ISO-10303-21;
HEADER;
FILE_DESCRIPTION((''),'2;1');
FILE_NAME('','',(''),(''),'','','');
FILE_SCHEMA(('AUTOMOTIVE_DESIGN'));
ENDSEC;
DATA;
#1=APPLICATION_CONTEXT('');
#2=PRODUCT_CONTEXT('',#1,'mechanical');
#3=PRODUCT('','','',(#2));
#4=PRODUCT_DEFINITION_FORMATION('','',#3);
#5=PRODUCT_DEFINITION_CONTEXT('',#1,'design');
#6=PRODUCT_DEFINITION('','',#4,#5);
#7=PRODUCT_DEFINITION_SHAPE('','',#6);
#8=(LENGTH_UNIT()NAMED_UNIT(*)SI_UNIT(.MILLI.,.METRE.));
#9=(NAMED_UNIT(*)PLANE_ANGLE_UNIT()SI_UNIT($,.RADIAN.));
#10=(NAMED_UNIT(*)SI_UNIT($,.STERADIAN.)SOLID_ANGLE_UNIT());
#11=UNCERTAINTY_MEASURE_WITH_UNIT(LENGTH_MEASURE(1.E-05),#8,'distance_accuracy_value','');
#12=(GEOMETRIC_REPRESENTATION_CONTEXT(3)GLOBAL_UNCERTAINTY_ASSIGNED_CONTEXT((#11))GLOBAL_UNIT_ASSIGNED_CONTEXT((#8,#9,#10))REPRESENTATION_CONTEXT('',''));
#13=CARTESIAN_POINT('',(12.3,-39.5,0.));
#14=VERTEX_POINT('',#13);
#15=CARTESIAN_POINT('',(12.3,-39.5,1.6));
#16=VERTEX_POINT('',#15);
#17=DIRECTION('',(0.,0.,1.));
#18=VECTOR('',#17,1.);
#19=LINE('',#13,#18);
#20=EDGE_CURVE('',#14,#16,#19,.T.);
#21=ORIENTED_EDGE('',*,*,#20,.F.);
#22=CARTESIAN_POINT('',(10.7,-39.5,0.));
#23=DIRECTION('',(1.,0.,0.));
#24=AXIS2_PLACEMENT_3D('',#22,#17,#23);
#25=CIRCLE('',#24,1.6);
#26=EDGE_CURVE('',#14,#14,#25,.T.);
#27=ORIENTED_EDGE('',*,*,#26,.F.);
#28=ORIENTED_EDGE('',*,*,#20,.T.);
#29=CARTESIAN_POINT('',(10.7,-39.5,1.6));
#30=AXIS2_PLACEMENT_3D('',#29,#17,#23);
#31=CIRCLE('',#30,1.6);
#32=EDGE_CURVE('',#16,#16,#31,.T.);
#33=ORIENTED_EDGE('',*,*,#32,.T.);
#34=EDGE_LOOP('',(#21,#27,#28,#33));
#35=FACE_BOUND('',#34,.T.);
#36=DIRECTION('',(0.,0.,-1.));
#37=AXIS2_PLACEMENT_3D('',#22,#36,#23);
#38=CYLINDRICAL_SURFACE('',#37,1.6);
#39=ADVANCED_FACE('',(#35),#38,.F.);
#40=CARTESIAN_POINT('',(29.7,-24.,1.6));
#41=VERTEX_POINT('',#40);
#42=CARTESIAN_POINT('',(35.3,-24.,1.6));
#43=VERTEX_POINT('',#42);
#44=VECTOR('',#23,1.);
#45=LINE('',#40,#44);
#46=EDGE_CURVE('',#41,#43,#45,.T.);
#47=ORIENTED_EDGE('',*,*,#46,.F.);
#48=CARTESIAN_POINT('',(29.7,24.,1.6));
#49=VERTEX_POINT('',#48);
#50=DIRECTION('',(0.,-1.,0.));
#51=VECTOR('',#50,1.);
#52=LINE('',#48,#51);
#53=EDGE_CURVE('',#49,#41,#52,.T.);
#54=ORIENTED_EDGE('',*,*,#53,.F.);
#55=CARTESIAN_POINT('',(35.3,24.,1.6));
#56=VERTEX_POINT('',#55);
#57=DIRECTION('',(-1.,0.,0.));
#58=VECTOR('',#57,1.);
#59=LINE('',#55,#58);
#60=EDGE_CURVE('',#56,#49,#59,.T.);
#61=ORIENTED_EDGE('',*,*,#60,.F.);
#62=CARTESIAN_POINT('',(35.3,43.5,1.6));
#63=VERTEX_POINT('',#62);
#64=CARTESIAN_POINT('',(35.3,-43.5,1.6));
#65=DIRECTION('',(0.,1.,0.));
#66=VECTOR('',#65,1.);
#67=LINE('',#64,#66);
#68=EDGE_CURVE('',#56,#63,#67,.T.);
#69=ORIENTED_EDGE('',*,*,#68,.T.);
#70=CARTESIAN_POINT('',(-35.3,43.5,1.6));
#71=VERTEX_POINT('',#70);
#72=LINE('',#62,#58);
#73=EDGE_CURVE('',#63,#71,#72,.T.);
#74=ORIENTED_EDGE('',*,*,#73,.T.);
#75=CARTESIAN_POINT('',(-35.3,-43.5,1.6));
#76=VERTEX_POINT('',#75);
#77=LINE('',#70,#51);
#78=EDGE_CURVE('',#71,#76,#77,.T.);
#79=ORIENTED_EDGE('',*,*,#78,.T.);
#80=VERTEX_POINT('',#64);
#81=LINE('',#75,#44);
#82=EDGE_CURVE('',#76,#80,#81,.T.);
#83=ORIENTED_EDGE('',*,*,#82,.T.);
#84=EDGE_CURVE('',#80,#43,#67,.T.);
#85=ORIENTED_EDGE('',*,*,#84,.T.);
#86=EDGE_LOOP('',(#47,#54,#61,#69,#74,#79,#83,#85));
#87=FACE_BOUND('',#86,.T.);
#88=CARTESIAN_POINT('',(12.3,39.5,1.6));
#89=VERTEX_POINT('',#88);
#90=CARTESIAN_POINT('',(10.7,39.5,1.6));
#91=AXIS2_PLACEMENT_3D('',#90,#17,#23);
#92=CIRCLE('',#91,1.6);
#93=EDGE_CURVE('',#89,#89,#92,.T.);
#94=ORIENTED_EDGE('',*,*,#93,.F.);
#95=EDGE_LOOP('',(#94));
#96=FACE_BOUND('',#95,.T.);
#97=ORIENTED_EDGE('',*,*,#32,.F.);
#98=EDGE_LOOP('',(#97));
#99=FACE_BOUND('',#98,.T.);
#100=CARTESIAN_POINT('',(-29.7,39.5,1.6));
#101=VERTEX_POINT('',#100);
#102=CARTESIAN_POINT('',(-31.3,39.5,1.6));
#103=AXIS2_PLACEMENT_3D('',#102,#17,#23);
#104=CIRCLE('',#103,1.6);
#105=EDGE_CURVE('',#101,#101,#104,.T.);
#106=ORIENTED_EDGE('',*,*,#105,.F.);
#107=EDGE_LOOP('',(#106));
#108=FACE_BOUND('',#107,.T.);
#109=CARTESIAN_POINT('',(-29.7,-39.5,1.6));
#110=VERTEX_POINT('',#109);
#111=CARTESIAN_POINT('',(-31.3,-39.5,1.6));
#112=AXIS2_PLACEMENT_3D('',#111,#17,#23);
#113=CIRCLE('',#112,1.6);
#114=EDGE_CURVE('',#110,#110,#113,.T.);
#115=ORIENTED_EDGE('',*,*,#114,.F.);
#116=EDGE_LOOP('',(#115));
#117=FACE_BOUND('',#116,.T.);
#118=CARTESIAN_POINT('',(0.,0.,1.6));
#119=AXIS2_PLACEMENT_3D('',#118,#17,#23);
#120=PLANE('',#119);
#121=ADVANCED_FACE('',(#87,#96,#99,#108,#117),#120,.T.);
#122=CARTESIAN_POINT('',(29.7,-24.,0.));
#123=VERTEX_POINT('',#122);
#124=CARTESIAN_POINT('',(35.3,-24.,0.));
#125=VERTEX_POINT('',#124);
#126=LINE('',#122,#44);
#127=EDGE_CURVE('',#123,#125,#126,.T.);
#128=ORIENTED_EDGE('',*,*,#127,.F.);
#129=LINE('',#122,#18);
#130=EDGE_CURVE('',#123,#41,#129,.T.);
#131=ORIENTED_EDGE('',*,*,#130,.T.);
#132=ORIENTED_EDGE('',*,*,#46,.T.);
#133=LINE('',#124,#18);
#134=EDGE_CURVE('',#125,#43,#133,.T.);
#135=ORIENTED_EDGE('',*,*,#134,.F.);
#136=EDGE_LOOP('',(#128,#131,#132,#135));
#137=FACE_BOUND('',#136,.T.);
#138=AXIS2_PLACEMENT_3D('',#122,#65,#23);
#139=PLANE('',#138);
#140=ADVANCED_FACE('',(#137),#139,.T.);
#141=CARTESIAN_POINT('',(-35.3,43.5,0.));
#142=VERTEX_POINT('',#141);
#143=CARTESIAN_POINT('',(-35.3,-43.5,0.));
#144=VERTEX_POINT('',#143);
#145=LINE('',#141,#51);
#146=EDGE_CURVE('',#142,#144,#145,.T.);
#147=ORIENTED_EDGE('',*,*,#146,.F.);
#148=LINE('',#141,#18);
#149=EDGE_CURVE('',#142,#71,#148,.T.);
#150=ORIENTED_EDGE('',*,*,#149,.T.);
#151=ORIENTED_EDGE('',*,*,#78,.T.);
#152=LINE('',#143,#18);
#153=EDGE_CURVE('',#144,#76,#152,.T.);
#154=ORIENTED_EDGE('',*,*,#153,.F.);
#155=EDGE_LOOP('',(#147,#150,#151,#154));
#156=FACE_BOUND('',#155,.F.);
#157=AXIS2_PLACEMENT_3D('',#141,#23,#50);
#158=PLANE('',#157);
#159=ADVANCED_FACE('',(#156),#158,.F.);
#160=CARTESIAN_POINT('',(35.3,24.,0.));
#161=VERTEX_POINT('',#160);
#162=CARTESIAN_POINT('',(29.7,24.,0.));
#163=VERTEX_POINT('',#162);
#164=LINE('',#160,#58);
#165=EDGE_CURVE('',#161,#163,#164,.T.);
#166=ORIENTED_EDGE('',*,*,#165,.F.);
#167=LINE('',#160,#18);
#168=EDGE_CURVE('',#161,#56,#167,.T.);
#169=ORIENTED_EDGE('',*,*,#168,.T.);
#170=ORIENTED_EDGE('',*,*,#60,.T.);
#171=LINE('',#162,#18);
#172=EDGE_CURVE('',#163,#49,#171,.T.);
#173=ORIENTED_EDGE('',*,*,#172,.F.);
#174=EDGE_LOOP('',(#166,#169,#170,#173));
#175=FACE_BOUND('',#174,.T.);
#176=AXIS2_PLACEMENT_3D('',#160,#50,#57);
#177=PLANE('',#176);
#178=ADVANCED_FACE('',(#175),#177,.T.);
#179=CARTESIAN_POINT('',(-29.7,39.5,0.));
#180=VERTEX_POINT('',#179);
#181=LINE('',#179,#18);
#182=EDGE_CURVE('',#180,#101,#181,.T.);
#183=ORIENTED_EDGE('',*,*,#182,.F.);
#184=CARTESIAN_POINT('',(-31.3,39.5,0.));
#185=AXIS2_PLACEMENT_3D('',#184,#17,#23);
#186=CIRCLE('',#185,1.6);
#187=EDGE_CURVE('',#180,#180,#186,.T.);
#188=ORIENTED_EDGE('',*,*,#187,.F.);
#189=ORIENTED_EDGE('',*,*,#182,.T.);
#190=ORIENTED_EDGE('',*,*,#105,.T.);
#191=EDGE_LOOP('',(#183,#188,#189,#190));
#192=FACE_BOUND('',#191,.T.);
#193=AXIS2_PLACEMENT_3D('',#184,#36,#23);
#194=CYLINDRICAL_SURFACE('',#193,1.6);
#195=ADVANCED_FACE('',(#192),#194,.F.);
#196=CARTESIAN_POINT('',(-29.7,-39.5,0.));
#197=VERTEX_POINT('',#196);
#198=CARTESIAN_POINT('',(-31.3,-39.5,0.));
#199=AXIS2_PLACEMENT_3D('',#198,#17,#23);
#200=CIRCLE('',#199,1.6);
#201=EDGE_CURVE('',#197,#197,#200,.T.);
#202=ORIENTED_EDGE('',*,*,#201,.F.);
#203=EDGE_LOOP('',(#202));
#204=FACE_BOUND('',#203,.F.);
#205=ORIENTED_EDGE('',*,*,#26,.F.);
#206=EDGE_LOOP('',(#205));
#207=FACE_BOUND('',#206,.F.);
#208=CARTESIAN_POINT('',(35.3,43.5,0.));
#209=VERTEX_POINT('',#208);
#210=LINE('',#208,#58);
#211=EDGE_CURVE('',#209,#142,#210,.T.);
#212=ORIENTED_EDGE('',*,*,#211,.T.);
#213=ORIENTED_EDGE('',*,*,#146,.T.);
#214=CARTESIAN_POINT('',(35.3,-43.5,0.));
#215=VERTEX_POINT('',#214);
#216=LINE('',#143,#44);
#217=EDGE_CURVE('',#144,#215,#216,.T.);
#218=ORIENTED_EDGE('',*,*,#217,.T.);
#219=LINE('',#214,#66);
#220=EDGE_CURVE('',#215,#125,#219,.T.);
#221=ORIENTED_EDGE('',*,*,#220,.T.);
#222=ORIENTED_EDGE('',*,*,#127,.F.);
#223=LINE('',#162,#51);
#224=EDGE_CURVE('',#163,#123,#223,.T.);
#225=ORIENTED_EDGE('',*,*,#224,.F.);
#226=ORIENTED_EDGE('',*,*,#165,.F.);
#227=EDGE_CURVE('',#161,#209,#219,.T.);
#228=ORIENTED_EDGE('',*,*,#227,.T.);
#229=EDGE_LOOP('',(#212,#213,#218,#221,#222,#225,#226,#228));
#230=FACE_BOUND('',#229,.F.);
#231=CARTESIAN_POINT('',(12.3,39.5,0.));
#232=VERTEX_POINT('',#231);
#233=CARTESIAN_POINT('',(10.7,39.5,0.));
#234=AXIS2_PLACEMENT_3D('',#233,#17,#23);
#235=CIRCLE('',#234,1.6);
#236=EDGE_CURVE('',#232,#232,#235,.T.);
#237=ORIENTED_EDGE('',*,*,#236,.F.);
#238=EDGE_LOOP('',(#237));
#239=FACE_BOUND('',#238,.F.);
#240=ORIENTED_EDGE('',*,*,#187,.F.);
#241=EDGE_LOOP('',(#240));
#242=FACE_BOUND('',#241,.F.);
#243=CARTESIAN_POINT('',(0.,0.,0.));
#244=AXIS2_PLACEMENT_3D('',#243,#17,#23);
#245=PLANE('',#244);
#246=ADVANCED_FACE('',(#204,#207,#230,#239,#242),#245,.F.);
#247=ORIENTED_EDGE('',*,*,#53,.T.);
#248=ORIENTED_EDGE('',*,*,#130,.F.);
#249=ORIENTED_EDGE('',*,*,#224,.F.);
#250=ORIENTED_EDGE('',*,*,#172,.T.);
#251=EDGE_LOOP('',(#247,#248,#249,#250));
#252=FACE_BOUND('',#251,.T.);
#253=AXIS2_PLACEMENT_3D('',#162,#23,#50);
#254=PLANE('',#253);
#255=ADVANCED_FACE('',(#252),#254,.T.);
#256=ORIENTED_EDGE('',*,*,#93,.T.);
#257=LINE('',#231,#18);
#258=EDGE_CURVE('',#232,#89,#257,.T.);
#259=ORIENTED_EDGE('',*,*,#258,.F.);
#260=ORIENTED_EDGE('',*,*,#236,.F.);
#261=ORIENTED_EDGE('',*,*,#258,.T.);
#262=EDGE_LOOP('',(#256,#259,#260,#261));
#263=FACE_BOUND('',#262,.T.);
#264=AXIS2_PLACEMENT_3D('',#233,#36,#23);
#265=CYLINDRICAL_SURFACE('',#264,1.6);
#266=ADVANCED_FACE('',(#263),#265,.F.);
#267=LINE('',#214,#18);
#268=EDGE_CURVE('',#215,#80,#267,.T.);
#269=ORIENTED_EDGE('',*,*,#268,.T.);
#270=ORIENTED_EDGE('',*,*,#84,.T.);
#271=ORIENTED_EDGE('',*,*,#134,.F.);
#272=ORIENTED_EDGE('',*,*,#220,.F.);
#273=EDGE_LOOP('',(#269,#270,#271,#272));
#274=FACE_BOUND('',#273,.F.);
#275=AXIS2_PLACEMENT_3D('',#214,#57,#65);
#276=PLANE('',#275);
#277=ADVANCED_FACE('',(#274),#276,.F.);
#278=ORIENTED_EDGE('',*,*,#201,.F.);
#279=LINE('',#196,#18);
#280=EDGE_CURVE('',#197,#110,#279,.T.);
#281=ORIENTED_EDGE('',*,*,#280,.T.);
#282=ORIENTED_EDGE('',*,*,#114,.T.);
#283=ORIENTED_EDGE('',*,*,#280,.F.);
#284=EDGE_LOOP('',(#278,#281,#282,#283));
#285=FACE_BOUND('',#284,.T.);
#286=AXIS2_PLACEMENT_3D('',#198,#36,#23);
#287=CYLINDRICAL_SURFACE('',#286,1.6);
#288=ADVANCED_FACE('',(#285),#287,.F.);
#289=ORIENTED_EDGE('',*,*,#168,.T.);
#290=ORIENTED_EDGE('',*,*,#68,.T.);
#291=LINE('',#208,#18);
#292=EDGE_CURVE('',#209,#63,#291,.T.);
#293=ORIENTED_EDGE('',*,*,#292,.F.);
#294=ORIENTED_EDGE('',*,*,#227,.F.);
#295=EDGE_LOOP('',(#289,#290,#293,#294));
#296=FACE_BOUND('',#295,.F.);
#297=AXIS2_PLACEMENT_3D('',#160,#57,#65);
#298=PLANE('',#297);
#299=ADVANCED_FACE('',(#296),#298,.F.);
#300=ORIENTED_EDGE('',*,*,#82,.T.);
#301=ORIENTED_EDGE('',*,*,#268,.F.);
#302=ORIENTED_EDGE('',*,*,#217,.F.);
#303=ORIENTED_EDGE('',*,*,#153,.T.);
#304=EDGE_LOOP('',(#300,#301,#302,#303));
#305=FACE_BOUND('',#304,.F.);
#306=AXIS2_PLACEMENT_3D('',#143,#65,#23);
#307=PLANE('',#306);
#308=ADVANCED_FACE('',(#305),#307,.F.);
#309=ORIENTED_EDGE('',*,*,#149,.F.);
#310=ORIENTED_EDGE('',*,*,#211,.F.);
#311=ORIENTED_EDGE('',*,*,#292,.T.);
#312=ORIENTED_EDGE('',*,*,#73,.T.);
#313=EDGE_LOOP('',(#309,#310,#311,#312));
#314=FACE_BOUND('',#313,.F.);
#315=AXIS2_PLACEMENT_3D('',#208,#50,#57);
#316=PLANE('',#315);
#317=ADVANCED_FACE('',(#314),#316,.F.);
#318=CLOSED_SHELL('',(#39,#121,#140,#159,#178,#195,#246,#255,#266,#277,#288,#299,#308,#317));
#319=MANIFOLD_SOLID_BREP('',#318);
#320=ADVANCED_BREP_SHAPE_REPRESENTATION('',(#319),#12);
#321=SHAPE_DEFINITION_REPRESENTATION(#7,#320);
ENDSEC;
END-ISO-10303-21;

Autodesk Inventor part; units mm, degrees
ref_plane "YZ Plane" through (0, 0, 0) normal (1, 0, 0) x (0, 1, 0)
ref_plane "XZ Plane" through (0, 0, 0) normal (0, 1, 0) x (-1, 0, 0)
ref_plane "XY Plane" through (0, 0, 0) normal (0, 0, 1) x (1, 0, 0)
sketch "スケッチ1" plane through (0, 0, 0) normal (0, 0, 1) x (1, 0, 0)
  line L0 (35.3, 43.5) -> (-35.3, 43.5)
  line L1 (-35.3, 43.5) -> (-35.3, -43.5)
  line L2 (-35.3, -43.5) -> (35.3, -43.5)
  line L3 (35.3, -43.5) -> (35.3, 43.5)
  line L4 (35.3, 43.5) -> (-35.3, -43.5) construction
  line L5 (-35.3, 43.5) -> (35.3, -43.5) construction
  line L6 (35.3, 24) -> (29.7, 24)
  line L7 (29.7, 24) -> (29.7, -24)
  line L8 (29.7, -24) -> (35.3, -24)
  line L9 (35.3, 0) -> (-35.3, 0) construction
  line L10 (10.7, -39.5) -> (-31.3, -39.5) construction
  line L11 (-31.3, -39.5) -> (-31.3, 39.5) construction
  line L12 (-31.3, 39.5) -> (10.7, 39.5) construction
  line L13 (10.7, 39.5) -> (10.7, -39.5) construction
  line L14 (10.7, -39.5) -> (-31.3, 39.5) construction
  line L15 (-31.3, -39.5) -> (10.7, 39.5) construction
  circle A0 centre (-31.3, 39.5) radius 1.6
  circle A1 centre (10.7, 39.5) radius 1.6
  circle A2 centre (-31.3, -39.5) radius 1.6
  circle A3 centre (10.7, -39.5) radius 1.6
  point P0 (0, 0)
  point P1 (-10.3, 0)
  dimension "d0" = 70.6
  dimension "d1" = 87
  dimension "d2" = 19.5
  dimension "d3" = 48
  dimension "d4" = 65
  dimension "d5" = 4
  dimension "d6" = 4
  dimension "d7" = 46
  dimension "d8" = 3.2
  dimension "d9" = 3.2
extrude "押し出し1" add sketch "スケッチ1" along normal blind 1.6 contours L3 L6 L7 L8 L2 L1 L0
equation "\"d9\" = d8"
properties part number "EN715_with_JetsonXavierNX_and_Fan"
